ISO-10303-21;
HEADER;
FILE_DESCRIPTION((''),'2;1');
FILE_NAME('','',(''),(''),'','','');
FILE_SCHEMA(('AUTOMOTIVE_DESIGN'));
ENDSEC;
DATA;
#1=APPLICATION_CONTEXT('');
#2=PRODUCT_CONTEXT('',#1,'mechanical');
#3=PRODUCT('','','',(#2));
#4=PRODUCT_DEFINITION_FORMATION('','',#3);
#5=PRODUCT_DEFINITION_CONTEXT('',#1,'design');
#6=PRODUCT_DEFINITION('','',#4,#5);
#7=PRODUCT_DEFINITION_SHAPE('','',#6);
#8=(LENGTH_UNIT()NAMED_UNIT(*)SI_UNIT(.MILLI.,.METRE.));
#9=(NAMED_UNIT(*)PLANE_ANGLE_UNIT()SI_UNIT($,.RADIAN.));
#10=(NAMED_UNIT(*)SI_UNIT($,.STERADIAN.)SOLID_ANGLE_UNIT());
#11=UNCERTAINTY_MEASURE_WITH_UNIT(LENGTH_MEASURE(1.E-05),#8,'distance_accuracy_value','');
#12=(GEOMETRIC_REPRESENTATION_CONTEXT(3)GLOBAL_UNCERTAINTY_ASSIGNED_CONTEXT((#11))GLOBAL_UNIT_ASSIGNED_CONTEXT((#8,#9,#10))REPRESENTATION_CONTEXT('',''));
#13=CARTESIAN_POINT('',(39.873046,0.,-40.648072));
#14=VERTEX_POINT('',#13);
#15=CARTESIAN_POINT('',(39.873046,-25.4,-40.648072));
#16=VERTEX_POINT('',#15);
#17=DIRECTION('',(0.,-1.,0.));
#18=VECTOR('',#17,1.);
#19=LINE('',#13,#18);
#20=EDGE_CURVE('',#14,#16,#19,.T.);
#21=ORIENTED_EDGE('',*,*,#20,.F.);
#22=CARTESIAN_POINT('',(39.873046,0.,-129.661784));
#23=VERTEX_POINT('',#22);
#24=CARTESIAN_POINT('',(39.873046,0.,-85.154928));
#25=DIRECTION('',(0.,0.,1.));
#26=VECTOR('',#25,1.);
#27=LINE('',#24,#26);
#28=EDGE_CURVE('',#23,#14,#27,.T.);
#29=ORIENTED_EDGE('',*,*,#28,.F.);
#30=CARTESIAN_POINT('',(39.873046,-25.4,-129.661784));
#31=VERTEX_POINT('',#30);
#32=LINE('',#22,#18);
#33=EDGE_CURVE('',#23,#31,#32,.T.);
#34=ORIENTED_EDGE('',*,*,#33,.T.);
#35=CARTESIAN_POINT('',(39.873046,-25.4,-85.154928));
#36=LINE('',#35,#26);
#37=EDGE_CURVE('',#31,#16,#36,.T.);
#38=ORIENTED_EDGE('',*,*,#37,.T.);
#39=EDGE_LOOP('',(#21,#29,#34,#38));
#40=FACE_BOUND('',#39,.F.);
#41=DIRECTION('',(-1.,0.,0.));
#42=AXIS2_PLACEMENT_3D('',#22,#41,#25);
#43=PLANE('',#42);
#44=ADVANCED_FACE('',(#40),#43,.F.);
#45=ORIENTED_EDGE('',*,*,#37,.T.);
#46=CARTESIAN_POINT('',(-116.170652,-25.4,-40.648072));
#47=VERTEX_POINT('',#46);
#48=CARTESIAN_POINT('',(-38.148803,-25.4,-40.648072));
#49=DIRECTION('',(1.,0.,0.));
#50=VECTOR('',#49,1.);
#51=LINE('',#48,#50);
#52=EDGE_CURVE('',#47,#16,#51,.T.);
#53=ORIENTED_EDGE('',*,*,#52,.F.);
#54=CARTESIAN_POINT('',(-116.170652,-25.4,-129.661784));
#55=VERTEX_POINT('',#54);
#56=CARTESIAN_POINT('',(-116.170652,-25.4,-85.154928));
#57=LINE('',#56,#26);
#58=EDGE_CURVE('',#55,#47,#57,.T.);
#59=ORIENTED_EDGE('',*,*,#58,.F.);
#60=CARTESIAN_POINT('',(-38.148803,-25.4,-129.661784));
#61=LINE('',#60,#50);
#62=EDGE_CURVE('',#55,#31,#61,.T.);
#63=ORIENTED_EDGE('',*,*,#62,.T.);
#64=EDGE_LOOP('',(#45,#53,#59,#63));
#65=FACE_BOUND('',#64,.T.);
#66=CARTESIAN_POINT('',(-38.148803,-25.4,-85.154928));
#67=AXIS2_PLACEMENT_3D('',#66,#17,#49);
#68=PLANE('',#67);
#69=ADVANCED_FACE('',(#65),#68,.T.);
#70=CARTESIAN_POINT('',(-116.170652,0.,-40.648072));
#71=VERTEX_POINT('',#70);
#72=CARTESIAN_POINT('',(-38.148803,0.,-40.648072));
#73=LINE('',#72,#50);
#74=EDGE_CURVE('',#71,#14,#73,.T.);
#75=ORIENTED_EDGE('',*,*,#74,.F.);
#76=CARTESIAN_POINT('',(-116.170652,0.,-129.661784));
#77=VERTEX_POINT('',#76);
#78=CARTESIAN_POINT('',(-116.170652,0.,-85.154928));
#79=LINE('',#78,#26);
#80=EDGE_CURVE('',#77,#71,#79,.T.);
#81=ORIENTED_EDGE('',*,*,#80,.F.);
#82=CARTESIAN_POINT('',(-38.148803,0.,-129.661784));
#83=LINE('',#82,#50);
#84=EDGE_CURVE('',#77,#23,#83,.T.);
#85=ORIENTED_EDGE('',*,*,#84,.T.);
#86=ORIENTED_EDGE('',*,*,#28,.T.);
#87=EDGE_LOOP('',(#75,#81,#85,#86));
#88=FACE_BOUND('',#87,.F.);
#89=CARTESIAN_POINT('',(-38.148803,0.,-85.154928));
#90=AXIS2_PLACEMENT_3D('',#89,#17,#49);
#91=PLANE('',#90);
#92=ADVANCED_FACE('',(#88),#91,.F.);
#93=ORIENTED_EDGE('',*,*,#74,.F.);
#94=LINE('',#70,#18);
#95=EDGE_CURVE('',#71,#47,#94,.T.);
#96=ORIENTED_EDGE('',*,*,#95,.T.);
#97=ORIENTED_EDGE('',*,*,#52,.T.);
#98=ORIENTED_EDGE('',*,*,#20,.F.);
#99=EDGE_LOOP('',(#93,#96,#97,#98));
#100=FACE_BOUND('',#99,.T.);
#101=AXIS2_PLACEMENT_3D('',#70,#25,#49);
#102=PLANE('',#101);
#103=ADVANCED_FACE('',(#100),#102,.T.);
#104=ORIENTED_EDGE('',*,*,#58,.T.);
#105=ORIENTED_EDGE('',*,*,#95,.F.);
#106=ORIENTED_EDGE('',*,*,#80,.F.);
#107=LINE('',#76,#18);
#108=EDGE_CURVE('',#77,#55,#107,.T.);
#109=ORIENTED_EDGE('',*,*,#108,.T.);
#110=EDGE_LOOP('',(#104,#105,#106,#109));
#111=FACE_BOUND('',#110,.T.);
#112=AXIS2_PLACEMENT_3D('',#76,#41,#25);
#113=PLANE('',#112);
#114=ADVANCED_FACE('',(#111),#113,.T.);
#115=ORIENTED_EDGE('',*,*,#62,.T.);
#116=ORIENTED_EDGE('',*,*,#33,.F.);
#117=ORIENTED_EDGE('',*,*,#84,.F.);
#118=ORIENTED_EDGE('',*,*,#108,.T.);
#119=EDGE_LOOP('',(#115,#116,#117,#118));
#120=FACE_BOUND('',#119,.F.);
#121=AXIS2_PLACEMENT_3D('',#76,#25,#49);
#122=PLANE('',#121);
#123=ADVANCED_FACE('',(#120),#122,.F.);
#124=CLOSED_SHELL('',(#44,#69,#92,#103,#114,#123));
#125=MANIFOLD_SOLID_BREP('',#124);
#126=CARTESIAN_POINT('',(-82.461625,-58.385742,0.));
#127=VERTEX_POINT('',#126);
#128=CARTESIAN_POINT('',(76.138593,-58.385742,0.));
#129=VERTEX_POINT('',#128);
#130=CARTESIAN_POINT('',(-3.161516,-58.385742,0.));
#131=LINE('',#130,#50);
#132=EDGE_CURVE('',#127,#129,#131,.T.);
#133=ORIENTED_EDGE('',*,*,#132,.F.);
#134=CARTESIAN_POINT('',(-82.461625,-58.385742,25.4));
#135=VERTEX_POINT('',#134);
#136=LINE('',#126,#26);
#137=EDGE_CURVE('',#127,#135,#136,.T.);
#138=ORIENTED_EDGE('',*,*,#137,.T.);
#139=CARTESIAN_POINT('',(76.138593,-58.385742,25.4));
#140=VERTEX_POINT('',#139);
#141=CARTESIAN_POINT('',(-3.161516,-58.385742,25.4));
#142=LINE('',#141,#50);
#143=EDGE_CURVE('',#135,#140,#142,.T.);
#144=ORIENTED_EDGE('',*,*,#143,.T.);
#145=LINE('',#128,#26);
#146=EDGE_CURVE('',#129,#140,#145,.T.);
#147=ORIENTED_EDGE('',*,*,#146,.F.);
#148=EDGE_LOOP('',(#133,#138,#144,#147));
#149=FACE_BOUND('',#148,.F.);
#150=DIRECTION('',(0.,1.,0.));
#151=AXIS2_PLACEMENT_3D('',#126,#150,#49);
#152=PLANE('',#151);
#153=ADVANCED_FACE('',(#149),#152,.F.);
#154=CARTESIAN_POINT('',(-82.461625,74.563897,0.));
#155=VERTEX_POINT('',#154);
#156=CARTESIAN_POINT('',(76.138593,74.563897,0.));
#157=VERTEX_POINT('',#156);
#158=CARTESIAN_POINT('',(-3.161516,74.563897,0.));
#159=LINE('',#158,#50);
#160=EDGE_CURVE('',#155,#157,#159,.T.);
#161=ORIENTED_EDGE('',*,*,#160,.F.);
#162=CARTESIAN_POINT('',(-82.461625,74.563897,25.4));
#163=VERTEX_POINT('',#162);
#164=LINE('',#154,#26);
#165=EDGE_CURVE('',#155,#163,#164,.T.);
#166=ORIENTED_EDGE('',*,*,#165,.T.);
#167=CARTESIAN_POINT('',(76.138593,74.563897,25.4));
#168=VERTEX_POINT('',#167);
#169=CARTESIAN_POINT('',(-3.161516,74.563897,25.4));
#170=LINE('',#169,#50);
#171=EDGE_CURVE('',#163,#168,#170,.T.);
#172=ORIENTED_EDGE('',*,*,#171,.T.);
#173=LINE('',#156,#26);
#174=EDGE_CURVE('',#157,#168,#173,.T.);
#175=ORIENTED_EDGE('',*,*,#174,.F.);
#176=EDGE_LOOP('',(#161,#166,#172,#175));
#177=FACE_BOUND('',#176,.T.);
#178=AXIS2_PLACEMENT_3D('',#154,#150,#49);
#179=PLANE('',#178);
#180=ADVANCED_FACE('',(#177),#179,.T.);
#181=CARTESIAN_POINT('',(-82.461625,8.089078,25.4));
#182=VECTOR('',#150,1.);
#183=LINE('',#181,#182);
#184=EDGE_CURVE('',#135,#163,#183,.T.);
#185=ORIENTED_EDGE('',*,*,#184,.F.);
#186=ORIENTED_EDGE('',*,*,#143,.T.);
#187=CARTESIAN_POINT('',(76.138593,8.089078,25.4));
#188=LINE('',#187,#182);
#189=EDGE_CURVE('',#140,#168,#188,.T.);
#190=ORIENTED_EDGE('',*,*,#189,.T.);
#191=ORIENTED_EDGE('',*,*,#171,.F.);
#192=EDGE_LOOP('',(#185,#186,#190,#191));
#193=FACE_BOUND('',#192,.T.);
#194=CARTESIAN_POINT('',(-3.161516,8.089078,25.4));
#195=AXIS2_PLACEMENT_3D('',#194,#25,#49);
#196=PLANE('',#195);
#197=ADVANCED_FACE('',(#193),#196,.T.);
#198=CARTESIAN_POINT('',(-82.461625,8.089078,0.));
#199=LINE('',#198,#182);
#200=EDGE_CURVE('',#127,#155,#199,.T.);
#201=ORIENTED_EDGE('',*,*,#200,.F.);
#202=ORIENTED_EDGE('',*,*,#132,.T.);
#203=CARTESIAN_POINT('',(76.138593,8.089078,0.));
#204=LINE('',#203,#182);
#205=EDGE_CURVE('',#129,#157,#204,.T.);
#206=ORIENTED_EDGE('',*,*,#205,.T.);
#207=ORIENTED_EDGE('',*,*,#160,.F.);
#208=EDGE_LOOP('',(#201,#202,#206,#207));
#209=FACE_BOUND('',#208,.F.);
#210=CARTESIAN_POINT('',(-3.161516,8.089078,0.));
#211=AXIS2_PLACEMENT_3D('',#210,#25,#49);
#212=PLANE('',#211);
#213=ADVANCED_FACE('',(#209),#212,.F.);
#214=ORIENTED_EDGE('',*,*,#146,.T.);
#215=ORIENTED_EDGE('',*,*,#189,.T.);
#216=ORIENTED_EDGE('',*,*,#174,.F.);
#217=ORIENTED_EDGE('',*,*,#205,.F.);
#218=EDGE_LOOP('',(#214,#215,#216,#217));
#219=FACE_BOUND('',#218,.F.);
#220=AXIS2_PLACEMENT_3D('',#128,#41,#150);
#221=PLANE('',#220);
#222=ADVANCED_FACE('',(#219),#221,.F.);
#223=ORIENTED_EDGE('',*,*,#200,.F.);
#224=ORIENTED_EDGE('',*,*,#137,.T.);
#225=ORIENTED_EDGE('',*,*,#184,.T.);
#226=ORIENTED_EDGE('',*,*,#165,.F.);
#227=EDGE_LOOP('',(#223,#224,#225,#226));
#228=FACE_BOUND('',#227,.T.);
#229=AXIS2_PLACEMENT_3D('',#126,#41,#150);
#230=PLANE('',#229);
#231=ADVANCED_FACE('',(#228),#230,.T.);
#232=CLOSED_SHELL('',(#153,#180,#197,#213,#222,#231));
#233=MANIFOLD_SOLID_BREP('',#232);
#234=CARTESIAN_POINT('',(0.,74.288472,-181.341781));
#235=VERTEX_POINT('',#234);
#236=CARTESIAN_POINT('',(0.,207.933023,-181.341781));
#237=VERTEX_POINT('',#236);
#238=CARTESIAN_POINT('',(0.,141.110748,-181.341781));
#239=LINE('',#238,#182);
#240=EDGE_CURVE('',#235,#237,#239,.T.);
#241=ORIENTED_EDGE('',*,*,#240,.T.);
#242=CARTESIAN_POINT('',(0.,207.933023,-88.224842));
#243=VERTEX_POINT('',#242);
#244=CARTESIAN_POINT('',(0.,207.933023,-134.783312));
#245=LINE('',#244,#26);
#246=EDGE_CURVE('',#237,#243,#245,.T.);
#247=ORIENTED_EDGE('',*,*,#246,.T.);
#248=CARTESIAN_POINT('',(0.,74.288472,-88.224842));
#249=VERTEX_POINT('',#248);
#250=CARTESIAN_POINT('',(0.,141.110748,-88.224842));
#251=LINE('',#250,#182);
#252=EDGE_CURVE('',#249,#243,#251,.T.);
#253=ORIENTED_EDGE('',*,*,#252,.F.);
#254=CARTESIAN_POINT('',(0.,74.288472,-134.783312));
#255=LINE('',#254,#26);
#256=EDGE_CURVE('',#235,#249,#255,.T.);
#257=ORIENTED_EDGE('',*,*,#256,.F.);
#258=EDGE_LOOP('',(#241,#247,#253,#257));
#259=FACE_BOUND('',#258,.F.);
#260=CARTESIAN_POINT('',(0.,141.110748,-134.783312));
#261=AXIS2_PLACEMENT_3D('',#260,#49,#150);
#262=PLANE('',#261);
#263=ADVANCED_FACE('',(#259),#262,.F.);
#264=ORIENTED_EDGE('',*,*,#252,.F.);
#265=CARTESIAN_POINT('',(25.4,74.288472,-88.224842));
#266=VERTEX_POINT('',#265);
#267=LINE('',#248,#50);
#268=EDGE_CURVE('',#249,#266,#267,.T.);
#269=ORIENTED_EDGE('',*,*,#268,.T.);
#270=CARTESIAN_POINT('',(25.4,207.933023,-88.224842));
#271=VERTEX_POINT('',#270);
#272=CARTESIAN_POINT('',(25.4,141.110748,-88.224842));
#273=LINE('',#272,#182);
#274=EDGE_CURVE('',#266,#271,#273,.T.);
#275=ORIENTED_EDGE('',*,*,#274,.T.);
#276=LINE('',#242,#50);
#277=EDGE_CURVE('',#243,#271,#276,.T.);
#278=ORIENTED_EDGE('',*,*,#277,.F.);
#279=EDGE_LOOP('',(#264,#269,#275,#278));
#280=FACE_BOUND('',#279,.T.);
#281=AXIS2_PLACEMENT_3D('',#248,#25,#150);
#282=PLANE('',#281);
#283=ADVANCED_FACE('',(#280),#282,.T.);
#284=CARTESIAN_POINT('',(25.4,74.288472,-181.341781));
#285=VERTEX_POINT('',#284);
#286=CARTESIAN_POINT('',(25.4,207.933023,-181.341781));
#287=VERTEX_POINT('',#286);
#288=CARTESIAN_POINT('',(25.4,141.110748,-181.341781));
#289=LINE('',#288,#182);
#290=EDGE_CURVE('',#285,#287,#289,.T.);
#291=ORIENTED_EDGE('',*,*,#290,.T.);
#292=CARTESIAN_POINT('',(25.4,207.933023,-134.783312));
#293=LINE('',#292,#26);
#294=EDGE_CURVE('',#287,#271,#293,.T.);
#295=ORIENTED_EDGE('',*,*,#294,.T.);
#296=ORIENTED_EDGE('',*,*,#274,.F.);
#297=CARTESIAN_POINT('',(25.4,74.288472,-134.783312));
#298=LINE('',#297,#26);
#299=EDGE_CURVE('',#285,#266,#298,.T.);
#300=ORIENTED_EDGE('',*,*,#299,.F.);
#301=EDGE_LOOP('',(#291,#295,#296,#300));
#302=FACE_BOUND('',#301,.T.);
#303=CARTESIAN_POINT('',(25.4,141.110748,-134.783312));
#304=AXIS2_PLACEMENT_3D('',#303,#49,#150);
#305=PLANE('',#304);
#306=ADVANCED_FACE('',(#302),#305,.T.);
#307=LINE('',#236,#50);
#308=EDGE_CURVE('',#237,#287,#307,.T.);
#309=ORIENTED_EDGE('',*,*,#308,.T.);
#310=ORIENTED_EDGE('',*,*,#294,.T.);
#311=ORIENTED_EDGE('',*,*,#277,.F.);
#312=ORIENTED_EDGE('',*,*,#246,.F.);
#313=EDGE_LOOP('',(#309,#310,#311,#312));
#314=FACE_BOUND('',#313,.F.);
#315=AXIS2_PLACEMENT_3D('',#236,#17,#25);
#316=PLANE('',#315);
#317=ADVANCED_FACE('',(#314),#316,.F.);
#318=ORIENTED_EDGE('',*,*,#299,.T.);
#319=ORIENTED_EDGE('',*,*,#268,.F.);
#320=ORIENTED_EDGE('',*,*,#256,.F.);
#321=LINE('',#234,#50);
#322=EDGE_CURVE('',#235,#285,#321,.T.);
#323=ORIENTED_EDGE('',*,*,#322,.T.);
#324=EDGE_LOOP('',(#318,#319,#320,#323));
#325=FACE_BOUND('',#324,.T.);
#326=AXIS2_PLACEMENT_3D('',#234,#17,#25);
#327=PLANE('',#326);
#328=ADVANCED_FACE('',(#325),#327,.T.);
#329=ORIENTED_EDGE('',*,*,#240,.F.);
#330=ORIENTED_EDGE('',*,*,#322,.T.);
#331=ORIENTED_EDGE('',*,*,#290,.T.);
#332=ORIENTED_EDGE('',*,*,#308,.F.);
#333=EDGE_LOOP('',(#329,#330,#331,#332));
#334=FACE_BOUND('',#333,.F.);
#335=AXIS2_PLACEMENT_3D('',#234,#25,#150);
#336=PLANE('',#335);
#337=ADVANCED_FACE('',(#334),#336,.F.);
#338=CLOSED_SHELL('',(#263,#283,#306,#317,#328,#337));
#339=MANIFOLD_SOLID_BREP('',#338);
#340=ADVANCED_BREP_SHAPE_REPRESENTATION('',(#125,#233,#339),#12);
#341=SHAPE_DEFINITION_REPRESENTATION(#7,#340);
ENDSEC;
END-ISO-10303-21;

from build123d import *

# Parameters (mm, degrees)
F0_W     = 158.600218
F0_H     = 132.949639
F1_DEPTH = 25.4
F2_W     = 133.644551
F2_H     = 93.116939
F3_DEPTH = 25.4
F4_W     = 156.043697
F4_H     = 89.013711
F5_DEPTH = 25.4


with BuildPart() as f1:
    # F0 (on Top) → F1 (new body)
    with BuildSketch(Plane.XY):
        with Locations((-3.161516, 8.089078)):
            Rectangle(F0_W, F0_H)
    extrude(amount=F1_DEPTH)


with BuildPart() as f3:
    # F2 (on Right) → F3 (new body)
    with BuildSketch(Plane.YZ):
        with Locations((141.110748, -134.783312)):
            Rectangle(F2_W, F2_H)
    extrude(amount=F3_DEPTH)


with BuildPart() as f5:
    # F4 (on Front) → F5 (new body)
    with BuildSketch(Plane.XZ):
        with Locations((-38.148803, -85.154928)):
            Rectangle(F4_W, F4_H)
    extrude(amount=F5_DEPTH)


solid = Compound([f1.part, f3.part, f5.part])
